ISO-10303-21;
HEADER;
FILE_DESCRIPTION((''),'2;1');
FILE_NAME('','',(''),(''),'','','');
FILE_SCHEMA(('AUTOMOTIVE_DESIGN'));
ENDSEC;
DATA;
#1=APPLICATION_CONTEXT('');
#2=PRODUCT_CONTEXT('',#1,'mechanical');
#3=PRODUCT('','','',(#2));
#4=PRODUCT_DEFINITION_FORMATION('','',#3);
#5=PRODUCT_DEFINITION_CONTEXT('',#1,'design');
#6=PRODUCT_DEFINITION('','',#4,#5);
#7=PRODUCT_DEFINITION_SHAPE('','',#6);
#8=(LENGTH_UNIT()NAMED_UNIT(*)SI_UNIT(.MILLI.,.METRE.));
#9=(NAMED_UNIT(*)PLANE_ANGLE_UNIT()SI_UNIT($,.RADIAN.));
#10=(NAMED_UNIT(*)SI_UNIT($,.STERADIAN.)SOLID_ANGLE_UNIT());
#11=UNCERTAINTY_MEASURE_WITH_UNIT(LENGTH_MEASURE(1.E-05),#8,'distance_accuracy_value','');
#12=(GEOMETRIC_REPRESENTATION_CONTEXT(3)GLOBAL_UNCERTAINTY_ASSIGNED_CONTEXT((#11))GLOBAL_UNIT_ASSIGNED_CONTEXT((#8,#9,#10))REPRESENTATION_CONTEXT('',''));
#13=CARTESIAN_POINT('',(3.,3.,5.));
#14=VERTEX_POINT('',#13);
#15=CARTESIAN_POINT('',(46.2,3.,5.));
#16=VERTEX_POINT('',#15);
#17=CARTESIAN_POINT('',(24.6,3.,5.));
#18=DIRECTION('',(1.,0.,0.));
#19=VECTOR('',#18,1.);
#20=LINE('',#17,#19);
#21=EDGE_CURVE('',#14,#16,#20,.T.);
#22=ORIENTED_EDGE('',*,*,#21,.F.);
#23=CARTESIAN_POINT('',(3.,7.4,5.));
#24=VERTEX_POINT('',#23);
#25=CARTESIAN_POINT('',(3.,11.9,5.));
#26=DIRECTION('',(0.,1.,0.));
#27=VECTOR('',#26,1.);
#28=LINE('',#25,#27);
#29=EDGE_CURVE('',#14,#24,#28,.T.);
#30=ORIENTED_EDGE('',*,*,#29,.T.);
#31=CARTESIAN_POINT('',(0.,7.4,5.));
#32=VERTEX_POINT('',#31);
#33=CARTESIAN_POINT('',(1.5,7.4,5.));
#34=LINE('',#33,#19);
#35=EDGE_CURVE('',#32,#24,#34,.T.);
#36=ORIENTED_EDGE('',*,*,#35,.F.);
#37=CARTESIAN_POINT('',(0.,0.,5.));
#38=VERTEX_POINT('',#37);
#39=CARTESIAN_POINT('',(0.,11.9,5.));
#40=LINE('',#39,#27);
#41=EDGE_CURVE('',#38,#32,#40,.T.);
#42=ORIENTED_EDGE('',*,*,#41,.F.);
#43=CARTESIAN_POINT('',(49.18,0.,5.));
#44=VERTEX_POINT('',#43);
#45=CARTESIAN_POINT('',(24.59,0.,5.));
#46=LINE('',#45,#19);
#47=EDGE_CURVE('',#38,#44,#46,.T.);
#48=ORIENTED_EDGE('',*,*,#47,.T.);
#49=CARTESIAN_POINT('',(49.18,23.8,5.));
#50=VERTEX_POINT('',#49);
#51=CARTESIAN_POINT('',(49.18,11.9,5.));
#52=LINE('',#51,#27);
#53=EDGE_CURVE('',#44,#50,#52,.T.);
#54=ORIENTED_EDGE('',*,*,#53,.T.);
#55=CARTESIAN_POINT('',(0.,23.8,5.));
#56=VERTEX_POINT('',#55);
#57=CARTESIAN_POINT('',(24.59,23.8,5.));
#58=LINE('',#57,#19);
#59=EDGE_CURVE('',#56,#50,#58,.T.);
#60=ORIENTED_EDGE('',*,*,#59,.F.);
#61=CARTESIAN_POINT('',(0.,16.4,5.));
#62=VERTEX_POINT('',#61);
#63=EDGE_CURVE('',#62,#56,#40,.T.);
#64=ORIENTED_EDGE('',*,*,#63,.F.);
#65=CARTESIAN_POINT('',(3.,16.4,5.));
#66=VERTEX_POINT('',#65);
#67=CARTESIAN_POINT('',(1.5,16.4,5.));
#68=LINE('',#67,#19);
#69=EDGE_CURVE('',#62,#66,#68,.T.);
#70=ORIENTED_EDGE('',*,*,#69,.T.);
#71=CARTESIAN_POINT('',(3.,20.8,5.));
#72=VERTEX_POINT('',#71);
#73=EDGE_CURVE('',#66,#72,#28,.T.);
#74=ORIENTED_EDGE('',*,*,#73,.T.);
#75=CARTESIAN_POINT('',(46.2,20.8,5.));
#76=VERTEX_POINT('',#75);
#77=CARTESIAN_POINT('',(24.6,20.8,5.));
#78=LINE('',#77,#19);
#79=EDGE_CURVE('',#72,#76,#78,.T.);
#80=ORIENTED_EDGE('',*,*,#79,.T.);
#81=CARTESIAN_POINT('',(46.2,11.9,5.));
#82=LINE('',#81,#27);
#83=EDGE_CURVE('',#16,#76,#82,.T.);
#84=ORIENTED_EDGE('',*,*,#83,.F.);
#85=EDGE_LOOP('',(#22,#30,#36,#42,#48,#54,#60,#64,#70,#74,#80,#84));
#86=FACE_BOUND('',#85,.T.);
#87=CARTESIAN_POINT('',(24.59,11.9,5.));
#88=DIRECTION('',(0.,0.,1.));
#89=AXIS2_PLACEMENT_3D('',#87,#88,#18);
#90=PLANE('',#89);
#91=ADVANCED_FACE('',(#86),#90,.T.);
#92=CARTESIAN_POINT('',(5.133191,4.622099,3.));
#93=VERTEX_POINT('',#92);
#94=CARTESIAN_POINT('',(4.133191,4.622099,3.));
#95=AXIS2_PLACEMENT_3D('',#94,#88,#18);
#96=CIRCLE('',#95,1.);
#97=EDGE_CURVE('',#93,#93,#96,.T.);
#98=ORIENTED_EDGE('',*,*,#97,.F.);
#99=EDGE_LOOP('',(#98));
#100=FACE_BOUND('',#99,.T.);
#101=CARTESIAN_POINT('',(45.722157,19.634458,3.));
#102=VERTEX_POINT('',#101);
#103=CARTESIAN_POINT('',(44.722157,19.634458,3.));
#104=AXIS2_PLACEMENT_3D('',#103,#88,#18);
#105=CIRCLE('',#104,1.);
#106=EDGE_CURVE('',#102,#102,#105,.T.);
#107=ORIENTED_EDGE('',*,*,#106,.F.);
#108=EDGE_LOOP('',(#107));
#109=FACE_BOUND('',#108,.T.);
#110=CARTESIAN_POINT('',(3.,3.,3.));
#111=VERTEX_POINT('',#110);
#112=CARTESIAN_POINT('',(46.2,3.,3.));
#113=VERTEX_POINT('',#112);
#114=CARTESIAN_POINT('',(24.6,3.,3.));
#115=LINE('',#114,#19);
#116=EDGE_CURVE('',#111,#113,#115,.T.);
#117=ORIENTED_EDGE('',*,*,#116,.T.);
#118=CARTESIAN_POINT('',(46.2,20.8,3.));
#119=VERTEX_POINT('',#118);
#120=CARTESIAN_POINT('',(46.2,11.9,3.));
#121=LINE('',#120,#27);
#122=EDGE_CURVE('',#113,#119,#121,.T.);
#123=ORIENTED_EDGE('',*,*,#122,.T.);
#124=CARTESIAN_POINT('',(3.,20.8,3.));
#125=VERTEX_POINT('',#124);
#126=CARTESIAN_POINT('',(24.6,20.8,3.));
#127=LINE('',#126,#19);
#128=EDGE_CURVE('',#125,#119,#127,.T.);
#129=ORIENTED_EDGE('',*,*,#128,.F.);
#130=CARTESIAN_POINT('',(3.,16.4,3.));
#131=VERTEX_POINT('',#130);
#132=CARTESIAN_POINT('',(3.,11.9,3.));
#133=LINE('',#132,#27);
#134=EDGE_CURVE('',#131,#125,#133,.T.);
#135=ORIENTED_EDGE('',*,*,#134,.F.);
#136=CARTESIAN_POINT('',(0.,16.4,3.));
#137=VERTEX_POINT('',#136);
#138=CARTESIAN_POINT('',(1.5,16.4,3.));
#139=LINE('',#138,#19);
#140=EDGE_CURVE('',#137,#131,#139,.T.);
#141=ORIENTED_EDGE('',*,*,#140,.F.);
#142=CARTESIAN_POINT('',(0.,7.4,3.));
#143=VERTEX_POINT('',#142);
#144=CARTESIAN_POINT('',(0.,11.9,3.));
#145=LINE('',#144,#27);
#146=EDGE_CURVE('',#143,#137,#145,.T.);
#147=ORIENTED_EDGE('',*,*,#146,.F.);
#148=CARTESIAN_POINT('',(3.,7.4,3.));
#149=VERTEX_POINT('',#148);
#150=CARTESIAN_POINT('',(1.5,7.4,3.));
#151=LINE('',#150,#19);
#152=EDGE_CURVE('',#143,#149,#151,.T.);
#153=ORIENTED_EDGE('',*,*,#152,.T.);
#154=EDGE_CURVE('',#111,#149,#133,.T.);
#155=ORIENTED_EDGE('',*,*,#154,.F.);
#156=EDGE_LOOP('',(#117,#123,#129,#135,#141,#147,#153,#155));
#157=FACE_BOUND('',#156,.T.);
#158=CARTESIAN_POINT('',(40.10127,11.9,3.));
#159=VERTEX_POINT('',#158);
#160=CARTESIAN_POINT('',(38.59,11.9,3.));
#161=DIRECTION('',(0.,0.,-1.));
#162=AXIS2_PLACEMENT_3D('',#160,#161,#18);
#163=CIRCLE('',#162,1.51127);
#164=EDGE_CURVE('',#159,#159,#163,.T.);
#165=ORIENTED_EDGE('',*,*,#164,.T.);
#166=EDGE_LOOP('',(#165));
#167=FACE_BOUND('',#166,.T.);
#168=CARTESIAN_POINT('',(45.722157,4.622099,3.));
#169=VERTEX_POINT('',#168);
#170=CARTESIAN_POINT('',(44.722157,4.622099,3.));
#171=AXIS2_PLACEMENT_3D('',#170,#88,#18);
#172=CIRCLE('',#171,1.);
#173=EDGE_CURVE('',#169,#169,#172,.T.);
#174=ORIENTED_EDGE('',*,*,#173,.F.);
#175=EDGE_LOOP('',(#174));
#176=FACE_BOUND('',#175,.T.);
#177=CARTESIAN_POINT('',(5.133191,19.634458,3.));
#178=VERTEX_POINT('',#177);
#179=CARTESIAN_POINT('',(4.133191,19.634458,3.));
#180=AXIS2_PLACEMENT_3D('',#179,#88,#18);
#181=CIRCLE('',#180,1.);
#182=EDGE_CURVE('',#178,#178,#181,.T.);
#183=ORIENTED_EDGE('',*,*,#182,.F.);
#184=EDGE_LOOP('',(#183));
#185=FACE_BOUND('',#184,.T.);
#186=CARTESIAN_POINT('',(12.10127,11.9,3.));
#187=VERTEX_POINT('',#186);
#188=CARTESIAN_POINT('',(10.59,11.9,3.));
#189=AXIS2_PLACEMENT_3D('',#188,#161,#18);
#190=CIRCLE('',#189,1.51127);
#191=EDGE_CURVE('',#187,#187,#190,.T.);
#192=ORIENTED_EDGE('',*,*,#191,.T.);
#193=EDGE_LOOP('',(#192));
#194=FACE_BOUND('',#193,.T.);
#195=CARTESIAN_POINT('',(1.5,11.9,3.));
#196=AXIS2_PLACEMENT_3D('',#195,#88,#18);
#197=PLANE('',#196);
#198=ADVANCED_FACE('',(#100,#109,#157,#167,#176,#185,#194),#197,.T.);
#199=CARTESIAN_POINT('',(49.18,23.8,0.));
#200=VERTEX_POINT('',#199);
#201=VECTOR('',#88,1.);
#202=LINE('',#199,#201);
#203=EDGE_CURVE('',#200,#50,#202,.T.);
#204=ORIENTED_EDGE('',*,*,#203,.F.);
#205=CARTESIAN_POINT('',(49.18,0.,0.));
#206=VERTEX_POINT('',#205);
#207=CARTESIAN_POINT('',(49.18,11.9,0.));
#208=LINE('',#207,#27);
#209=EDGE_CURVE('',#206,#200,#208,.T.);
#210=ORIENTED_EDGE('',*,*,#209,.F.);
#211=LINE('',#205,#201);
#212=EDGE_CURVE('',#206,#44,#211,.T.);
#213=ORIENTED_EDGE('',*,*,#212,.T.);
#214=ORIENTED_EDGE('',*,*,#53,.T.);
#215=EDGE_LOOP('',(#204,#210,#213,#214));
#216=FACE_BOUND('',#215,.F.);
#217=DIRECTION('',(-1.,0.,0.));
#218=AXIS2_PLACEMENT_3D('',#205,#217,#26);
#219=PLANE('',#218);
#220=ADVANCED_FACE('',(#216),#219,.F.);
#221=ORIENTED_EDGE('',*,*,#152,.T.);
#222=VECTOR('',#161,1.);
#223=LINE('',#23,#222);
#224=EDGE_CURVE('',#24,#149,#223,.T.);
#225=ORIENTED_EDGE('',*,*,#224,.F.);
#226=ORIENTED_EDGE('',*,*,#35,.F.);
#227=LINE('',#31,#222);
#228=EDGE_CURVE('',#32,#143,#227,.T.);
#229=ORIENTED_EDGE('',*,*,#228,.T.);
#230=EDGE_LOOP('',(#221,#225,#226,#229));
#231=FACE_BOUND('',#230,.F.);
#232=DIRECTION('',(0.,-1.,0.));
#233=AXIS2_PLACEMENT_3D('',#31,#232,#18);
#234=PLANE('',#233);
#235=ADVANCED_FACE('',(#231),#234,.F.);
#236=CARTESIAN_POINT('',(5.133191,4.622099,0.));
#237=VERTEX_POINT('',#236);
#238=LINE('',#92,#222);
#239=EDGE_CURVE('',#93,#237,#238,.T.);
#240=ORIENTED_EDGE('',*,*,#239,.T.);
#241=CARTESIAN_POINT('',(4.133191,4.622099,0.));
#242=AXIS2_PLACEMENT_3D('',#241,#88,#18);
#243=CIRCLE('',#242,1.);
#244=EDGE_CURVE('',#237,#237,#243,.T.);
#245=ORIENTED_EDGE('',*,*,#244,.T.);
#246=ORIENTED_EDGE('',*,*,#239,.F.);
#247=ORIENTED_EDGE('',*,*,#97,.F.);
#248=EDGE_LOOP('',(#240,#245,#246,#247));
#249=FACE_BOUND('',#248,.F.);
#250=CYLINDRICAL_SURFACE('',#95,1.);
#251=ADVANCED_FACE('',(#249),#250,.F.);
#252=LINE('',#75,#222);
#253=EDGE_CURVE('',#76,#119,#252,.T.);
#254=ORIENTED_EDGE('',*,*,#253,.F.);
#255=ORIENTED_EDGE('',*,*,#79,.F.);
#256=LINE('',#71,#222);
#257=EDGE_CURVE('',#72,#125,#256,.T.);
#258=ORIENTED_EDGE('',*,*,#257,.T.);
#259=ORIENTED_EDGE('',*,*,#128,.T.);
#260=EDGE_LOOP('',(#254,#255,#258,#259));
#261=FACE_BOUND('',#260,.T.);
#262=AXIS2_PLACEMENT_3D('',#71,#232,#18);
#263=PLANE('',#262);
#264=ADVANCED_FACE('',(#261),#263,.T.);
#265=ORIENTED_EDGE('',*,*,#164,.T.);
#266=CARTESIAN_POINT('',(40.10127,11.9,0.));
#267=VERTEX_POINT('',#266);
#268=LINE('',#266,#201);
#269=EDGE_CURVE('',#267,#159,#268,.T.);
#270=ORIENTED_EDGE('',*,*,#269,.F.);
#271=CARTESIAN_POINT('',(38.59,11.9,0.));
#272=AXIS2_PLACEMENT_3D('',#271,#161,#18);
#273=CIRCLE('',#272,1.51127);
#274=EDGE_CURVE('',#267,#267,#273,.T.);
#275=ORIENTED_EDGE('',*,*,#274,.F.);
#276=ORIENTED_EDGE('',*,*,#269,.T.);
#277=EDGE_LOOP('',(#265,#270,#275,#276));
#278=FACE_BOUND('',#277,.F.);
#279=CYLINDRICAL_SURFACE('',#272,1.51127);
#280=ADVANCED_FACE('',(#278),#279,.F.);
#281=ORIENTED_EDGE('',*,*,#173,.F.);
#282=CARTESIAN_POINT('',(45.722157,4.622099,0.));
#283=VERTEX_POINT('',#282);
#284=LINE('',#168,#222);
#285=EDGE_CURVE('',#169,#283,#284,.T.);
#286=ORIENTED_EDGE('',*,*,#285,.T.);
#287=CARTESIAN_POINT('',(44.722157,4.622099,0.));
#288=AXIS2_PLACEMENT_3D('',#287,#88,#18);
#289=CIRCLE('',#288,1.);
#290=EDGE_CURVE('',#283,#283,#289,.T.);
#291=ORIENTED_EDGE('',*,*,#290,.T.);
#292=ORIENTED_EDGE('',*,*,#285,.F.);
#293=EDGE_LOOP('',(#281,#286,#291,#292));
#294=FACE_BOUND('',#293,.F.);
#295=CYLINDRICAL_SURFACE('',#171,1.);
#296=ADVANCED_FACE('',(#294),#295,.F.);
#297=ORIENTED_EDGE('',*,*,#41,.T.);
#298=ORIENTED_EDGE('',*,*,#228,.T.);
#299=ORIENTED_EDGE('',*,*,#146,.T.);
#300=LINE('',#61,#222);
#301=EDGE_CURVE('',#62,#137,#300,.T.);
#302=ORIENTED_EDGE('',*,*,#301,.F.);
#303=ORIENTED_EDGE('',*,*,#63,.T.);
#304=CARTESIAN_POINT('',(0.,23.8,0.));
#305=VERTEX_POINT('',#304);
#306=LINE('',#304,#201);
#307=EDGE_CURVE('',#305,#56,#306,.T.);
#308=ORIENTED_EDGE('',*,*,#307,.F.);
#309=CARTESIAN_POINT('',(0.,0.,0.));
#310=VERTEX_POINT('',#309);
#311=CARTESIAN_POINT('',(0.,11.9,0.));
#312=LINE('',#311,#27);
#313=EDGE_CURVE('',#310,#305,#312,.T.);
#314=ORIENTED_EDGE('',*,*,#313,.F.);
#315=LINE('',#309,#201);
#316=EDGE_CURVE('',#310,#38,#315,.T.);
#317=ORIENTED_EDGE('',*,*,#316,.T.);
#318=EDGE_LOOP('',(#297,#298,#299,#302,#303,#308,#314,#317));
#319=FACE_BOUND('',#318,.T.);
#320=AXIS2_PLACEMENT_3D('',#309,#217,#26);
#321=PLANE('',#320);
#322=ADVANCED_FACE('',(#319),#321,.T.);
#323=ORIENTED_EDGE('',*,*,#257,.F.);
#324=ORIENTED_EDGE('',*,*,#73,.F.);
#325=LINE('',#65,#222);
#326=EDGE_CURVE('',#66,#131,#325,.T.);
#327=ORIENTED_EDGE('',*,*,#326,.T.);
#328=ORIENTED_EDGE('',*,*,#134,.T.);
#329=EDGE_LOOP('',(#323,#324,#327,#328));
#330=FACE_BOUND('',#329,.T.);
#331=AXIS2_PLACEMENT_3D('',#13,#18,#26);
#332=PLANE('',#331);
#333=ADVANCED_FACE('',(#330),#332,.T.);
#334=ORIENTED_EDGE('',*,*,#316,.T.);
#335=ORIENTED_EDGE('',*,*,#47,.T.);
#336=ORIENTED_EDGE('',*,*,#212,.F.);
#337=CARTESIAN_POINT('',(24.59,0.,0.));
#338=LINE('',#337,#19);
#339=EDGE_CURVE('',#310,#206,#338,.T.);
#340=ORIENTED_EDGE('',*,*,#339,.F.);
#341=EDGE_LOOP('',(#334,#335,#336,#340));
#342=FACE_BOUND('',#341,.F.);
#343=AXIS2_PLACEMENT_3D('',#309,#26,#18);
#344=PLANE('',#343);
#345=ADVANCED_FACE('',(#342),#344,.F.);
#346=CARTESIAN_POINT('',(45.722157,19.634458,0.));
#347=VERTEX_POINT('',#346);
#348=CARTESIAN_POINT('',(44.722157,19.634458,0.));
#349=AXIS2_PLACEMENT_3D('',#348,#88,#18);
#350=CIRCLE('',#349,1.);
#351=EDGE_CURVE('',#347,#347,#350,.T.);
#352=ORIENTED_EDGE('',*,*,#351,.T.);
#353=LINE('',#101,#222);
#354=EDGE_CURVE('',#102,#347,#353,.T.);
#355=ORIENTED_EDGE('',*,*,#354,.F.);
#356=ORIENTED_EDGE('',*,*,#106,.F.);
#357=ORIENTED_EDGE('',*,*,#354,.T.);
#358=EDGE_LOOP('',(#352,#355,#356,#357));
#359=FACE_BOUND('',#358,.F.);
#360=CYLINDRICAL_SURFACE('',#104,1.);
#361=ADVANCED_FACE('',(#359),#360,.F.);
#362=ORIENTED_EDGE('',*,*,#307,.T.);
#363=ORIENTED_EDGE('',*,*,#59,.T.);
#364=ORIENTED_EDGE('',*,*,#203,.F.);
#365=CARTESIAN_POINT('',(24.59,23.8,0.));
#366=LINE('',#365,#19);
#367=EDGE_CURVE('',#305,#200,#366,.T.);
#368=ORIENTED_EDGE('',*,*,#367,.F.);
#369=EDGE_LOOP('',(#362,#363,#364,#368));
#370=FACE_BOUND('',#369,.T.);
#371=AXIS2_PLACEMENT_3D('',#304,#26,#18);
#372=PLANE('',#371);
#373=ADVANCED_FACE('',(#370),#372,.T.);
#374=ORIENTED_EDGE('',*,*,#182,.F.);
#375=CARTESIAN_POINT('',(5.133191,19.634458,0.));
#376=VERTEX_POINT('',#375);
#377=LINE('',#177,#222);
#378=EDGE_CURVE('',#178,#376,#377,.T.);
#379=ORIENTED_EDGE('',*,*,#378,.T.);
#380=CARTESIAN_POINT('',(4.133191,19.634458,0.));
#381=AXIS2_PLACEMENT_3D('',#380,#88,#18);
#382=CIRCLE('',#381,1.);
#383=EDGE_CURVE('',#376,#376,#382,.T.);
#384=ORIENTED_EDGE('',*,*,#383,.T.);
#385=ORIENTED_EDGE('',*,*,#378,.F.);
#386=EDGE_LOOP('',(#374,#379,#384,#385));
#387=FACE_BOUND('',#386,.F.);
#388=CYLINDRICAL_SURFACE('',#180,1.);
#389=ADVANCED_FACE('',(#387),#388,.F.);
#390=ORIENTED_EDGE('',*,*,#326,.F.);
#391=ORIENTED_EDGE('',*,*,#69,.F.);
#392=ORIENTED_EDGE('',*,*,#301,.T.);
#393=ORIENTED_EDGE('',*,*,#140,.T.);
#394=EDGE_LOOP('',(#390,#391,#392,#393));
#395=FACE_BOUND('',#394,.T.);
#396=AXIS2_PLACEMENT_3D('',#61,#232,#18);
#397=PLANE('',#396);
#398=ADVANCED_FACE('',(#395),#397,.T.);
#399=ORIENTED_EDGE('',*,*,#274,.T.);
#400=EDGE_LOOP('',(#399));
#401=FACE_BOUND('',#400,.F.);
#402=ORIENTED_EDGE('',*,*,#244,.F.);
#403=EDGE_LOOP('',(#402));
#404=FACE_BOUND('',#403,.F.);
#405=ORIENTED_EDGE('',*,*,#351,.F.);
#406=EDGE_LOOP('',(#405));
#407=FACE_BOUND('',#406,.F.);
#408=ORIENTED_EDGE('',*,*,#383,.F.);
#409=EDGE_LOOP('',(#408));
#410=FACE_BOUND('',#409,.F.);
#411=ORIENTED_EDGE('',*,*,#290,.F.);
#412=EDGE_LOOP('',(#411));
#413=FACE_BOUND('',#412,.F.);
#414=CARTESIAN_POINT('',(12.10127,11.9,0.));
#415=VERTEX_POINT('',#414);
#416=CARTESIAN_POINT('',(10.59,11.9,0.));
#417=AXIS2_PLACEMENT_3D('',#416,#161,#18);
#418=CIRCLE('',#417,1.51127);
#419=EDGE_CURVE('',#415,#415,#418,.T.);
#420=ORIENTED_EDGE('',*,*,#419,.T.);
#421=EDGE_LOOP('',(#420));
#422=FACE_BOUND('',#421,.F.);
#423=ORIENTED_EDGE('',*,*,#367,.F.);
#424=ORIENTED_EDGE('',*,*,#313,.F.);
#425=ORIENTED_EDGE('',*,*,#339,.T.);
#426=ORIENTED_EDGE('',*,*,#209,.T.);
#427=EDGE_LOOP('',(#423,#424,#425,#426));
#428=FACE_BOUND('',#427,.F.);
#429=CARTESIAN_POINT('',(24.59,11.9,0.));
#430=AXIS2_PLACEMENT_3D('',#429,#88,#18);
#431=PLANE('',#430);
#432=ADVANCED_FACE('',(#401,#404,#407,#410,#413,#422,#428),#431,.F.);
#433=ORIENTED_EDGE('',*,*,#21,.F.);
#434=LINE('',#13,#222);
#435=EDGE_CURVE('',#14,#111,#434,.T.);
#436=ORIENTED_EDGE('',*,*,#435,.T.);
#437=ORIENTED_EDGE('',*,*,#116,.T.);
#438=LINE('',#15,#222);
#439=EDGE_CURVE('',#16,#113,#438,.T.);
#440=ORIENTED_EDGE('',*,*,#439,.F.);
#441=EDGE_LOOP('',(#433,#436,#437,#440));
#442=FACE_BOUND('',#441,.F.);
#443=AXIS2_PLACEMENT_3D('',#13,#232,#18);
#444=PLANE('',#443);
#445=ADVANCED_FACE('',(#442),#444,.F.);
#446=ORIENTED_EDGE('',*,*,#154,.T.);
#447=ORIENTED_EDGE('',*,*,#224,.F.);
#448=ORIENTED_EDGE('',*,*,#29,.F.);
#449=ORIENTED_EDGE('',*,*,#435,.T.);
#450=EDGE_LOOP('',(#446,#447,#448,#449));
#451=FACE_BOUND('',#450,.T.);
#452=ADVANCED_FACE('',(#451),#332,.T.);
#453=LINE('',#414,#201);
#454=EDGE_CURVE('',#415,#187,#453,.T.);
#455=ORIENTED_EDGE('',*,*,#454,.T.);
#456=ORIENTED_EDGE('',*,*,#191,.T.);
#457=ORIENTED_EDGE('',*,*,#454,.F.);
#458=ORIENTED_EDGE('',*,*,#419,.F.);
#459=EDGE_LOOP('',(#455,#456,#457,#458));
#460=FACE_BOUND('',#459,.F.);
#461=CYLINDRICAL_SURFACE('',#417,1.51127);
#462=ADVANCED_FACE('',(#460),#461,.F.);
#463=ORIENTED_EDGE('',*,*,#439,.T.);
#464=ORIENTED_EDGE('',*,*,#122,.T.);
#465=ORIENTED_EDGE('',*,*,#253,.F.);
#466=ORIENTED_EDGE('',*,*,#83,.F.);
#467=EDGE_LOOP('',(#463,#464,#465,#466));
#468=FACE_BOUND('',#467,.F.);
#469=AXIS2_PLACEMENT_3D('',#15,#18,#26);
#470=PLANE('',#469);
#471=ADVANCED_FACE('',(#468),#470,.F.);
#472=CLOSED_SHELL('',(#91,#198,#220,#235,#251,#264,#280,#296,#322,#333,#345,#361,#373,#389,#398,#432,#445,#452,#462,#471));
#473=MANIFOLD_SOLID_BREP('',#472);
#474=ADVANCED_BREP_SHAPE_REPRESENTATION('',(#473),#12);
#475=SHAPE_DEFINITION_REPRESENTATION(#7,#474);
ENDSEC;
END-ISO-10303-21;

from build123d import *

# Parameters (mm, degrees)
BOX_W           = 49.18
BOX_H           = 23.8
BOX_DEPTH       = 5
SKETCH_W        = 43.2
SKETCH_H        = 17.8
POCKET_DEPTH    = 2
SKETCH001_W     = 3
SKETCH001_H     = 9
POCKET001_DEPTH = 2
SKETCH004_R     = 1
POCKET005_DEPTH = 5
SKETCH005_R     = 1.51127
POCKET006_DEPTH = 5


with BuildPart() as part:
    # Box → Box (new body)
    with BuildSketch(Plane.XY):
        with Locations((24.59, 11.9)):
            Rectangle(BOX_W, BOX_H)
    extrude(amount=BOX_DEPTH)

    # Sketch → Pocket (cut)
    with BuildSketch(Plane.XY.offset(5)):
        with Locations((24.6, 11.9)):
            Rectangle(SKETCH_W, SKETCH_H)
    extrude(amount=-POCKET_DEPTH, mode=Mode.SUBTRACT)

    # Sketch001 → Pocket001 (cut)
    with BuildSketch(Plane.XY.offset(5)):
        with Locations((1.5, 11.9)):
            Rectangle(SKETCH001_W, SKETCH001_H)
    extrude(amount=-POCKET001_DEPTH, mode=Mode.SUBTRACT)

    # Sketch004 → Pocket005 (cut)
    with BuildSketch(Plane.XY.offset(3)):
        with Locations((44.722157, 19.634458)):
            Circle(SKETCH004_R)
        with Locations((44.722157, 4.622099)):
            Circle(SKETCH004_R)
        with Locations((4.133191, 19.634458)):
            Circle(SKETCH004_R)
        with Locations((4.133191, 4.622099)):
            Circle(SKETCH004_R)
    extrude(amount=-POCKET005_DEPTH, mode=Mode.SUBTRACT)

    # Sketch005 → Pocket006 (cut)
    with BuildSketch(Plane(origin=(0, 0, 0), x_dir=(1, 0, 0), z_dir=(0, 0, -1))):
        with Locations((10.59, -11.9)):
            Circle(SKETCH005_R)
        with Locations((38.59, -11.9)):
            Circle(SKETCH005_R)
    extrude(amount=-POCKET006_DEPTH, mode=Mode.SUBTRACT)


solid = part.part
